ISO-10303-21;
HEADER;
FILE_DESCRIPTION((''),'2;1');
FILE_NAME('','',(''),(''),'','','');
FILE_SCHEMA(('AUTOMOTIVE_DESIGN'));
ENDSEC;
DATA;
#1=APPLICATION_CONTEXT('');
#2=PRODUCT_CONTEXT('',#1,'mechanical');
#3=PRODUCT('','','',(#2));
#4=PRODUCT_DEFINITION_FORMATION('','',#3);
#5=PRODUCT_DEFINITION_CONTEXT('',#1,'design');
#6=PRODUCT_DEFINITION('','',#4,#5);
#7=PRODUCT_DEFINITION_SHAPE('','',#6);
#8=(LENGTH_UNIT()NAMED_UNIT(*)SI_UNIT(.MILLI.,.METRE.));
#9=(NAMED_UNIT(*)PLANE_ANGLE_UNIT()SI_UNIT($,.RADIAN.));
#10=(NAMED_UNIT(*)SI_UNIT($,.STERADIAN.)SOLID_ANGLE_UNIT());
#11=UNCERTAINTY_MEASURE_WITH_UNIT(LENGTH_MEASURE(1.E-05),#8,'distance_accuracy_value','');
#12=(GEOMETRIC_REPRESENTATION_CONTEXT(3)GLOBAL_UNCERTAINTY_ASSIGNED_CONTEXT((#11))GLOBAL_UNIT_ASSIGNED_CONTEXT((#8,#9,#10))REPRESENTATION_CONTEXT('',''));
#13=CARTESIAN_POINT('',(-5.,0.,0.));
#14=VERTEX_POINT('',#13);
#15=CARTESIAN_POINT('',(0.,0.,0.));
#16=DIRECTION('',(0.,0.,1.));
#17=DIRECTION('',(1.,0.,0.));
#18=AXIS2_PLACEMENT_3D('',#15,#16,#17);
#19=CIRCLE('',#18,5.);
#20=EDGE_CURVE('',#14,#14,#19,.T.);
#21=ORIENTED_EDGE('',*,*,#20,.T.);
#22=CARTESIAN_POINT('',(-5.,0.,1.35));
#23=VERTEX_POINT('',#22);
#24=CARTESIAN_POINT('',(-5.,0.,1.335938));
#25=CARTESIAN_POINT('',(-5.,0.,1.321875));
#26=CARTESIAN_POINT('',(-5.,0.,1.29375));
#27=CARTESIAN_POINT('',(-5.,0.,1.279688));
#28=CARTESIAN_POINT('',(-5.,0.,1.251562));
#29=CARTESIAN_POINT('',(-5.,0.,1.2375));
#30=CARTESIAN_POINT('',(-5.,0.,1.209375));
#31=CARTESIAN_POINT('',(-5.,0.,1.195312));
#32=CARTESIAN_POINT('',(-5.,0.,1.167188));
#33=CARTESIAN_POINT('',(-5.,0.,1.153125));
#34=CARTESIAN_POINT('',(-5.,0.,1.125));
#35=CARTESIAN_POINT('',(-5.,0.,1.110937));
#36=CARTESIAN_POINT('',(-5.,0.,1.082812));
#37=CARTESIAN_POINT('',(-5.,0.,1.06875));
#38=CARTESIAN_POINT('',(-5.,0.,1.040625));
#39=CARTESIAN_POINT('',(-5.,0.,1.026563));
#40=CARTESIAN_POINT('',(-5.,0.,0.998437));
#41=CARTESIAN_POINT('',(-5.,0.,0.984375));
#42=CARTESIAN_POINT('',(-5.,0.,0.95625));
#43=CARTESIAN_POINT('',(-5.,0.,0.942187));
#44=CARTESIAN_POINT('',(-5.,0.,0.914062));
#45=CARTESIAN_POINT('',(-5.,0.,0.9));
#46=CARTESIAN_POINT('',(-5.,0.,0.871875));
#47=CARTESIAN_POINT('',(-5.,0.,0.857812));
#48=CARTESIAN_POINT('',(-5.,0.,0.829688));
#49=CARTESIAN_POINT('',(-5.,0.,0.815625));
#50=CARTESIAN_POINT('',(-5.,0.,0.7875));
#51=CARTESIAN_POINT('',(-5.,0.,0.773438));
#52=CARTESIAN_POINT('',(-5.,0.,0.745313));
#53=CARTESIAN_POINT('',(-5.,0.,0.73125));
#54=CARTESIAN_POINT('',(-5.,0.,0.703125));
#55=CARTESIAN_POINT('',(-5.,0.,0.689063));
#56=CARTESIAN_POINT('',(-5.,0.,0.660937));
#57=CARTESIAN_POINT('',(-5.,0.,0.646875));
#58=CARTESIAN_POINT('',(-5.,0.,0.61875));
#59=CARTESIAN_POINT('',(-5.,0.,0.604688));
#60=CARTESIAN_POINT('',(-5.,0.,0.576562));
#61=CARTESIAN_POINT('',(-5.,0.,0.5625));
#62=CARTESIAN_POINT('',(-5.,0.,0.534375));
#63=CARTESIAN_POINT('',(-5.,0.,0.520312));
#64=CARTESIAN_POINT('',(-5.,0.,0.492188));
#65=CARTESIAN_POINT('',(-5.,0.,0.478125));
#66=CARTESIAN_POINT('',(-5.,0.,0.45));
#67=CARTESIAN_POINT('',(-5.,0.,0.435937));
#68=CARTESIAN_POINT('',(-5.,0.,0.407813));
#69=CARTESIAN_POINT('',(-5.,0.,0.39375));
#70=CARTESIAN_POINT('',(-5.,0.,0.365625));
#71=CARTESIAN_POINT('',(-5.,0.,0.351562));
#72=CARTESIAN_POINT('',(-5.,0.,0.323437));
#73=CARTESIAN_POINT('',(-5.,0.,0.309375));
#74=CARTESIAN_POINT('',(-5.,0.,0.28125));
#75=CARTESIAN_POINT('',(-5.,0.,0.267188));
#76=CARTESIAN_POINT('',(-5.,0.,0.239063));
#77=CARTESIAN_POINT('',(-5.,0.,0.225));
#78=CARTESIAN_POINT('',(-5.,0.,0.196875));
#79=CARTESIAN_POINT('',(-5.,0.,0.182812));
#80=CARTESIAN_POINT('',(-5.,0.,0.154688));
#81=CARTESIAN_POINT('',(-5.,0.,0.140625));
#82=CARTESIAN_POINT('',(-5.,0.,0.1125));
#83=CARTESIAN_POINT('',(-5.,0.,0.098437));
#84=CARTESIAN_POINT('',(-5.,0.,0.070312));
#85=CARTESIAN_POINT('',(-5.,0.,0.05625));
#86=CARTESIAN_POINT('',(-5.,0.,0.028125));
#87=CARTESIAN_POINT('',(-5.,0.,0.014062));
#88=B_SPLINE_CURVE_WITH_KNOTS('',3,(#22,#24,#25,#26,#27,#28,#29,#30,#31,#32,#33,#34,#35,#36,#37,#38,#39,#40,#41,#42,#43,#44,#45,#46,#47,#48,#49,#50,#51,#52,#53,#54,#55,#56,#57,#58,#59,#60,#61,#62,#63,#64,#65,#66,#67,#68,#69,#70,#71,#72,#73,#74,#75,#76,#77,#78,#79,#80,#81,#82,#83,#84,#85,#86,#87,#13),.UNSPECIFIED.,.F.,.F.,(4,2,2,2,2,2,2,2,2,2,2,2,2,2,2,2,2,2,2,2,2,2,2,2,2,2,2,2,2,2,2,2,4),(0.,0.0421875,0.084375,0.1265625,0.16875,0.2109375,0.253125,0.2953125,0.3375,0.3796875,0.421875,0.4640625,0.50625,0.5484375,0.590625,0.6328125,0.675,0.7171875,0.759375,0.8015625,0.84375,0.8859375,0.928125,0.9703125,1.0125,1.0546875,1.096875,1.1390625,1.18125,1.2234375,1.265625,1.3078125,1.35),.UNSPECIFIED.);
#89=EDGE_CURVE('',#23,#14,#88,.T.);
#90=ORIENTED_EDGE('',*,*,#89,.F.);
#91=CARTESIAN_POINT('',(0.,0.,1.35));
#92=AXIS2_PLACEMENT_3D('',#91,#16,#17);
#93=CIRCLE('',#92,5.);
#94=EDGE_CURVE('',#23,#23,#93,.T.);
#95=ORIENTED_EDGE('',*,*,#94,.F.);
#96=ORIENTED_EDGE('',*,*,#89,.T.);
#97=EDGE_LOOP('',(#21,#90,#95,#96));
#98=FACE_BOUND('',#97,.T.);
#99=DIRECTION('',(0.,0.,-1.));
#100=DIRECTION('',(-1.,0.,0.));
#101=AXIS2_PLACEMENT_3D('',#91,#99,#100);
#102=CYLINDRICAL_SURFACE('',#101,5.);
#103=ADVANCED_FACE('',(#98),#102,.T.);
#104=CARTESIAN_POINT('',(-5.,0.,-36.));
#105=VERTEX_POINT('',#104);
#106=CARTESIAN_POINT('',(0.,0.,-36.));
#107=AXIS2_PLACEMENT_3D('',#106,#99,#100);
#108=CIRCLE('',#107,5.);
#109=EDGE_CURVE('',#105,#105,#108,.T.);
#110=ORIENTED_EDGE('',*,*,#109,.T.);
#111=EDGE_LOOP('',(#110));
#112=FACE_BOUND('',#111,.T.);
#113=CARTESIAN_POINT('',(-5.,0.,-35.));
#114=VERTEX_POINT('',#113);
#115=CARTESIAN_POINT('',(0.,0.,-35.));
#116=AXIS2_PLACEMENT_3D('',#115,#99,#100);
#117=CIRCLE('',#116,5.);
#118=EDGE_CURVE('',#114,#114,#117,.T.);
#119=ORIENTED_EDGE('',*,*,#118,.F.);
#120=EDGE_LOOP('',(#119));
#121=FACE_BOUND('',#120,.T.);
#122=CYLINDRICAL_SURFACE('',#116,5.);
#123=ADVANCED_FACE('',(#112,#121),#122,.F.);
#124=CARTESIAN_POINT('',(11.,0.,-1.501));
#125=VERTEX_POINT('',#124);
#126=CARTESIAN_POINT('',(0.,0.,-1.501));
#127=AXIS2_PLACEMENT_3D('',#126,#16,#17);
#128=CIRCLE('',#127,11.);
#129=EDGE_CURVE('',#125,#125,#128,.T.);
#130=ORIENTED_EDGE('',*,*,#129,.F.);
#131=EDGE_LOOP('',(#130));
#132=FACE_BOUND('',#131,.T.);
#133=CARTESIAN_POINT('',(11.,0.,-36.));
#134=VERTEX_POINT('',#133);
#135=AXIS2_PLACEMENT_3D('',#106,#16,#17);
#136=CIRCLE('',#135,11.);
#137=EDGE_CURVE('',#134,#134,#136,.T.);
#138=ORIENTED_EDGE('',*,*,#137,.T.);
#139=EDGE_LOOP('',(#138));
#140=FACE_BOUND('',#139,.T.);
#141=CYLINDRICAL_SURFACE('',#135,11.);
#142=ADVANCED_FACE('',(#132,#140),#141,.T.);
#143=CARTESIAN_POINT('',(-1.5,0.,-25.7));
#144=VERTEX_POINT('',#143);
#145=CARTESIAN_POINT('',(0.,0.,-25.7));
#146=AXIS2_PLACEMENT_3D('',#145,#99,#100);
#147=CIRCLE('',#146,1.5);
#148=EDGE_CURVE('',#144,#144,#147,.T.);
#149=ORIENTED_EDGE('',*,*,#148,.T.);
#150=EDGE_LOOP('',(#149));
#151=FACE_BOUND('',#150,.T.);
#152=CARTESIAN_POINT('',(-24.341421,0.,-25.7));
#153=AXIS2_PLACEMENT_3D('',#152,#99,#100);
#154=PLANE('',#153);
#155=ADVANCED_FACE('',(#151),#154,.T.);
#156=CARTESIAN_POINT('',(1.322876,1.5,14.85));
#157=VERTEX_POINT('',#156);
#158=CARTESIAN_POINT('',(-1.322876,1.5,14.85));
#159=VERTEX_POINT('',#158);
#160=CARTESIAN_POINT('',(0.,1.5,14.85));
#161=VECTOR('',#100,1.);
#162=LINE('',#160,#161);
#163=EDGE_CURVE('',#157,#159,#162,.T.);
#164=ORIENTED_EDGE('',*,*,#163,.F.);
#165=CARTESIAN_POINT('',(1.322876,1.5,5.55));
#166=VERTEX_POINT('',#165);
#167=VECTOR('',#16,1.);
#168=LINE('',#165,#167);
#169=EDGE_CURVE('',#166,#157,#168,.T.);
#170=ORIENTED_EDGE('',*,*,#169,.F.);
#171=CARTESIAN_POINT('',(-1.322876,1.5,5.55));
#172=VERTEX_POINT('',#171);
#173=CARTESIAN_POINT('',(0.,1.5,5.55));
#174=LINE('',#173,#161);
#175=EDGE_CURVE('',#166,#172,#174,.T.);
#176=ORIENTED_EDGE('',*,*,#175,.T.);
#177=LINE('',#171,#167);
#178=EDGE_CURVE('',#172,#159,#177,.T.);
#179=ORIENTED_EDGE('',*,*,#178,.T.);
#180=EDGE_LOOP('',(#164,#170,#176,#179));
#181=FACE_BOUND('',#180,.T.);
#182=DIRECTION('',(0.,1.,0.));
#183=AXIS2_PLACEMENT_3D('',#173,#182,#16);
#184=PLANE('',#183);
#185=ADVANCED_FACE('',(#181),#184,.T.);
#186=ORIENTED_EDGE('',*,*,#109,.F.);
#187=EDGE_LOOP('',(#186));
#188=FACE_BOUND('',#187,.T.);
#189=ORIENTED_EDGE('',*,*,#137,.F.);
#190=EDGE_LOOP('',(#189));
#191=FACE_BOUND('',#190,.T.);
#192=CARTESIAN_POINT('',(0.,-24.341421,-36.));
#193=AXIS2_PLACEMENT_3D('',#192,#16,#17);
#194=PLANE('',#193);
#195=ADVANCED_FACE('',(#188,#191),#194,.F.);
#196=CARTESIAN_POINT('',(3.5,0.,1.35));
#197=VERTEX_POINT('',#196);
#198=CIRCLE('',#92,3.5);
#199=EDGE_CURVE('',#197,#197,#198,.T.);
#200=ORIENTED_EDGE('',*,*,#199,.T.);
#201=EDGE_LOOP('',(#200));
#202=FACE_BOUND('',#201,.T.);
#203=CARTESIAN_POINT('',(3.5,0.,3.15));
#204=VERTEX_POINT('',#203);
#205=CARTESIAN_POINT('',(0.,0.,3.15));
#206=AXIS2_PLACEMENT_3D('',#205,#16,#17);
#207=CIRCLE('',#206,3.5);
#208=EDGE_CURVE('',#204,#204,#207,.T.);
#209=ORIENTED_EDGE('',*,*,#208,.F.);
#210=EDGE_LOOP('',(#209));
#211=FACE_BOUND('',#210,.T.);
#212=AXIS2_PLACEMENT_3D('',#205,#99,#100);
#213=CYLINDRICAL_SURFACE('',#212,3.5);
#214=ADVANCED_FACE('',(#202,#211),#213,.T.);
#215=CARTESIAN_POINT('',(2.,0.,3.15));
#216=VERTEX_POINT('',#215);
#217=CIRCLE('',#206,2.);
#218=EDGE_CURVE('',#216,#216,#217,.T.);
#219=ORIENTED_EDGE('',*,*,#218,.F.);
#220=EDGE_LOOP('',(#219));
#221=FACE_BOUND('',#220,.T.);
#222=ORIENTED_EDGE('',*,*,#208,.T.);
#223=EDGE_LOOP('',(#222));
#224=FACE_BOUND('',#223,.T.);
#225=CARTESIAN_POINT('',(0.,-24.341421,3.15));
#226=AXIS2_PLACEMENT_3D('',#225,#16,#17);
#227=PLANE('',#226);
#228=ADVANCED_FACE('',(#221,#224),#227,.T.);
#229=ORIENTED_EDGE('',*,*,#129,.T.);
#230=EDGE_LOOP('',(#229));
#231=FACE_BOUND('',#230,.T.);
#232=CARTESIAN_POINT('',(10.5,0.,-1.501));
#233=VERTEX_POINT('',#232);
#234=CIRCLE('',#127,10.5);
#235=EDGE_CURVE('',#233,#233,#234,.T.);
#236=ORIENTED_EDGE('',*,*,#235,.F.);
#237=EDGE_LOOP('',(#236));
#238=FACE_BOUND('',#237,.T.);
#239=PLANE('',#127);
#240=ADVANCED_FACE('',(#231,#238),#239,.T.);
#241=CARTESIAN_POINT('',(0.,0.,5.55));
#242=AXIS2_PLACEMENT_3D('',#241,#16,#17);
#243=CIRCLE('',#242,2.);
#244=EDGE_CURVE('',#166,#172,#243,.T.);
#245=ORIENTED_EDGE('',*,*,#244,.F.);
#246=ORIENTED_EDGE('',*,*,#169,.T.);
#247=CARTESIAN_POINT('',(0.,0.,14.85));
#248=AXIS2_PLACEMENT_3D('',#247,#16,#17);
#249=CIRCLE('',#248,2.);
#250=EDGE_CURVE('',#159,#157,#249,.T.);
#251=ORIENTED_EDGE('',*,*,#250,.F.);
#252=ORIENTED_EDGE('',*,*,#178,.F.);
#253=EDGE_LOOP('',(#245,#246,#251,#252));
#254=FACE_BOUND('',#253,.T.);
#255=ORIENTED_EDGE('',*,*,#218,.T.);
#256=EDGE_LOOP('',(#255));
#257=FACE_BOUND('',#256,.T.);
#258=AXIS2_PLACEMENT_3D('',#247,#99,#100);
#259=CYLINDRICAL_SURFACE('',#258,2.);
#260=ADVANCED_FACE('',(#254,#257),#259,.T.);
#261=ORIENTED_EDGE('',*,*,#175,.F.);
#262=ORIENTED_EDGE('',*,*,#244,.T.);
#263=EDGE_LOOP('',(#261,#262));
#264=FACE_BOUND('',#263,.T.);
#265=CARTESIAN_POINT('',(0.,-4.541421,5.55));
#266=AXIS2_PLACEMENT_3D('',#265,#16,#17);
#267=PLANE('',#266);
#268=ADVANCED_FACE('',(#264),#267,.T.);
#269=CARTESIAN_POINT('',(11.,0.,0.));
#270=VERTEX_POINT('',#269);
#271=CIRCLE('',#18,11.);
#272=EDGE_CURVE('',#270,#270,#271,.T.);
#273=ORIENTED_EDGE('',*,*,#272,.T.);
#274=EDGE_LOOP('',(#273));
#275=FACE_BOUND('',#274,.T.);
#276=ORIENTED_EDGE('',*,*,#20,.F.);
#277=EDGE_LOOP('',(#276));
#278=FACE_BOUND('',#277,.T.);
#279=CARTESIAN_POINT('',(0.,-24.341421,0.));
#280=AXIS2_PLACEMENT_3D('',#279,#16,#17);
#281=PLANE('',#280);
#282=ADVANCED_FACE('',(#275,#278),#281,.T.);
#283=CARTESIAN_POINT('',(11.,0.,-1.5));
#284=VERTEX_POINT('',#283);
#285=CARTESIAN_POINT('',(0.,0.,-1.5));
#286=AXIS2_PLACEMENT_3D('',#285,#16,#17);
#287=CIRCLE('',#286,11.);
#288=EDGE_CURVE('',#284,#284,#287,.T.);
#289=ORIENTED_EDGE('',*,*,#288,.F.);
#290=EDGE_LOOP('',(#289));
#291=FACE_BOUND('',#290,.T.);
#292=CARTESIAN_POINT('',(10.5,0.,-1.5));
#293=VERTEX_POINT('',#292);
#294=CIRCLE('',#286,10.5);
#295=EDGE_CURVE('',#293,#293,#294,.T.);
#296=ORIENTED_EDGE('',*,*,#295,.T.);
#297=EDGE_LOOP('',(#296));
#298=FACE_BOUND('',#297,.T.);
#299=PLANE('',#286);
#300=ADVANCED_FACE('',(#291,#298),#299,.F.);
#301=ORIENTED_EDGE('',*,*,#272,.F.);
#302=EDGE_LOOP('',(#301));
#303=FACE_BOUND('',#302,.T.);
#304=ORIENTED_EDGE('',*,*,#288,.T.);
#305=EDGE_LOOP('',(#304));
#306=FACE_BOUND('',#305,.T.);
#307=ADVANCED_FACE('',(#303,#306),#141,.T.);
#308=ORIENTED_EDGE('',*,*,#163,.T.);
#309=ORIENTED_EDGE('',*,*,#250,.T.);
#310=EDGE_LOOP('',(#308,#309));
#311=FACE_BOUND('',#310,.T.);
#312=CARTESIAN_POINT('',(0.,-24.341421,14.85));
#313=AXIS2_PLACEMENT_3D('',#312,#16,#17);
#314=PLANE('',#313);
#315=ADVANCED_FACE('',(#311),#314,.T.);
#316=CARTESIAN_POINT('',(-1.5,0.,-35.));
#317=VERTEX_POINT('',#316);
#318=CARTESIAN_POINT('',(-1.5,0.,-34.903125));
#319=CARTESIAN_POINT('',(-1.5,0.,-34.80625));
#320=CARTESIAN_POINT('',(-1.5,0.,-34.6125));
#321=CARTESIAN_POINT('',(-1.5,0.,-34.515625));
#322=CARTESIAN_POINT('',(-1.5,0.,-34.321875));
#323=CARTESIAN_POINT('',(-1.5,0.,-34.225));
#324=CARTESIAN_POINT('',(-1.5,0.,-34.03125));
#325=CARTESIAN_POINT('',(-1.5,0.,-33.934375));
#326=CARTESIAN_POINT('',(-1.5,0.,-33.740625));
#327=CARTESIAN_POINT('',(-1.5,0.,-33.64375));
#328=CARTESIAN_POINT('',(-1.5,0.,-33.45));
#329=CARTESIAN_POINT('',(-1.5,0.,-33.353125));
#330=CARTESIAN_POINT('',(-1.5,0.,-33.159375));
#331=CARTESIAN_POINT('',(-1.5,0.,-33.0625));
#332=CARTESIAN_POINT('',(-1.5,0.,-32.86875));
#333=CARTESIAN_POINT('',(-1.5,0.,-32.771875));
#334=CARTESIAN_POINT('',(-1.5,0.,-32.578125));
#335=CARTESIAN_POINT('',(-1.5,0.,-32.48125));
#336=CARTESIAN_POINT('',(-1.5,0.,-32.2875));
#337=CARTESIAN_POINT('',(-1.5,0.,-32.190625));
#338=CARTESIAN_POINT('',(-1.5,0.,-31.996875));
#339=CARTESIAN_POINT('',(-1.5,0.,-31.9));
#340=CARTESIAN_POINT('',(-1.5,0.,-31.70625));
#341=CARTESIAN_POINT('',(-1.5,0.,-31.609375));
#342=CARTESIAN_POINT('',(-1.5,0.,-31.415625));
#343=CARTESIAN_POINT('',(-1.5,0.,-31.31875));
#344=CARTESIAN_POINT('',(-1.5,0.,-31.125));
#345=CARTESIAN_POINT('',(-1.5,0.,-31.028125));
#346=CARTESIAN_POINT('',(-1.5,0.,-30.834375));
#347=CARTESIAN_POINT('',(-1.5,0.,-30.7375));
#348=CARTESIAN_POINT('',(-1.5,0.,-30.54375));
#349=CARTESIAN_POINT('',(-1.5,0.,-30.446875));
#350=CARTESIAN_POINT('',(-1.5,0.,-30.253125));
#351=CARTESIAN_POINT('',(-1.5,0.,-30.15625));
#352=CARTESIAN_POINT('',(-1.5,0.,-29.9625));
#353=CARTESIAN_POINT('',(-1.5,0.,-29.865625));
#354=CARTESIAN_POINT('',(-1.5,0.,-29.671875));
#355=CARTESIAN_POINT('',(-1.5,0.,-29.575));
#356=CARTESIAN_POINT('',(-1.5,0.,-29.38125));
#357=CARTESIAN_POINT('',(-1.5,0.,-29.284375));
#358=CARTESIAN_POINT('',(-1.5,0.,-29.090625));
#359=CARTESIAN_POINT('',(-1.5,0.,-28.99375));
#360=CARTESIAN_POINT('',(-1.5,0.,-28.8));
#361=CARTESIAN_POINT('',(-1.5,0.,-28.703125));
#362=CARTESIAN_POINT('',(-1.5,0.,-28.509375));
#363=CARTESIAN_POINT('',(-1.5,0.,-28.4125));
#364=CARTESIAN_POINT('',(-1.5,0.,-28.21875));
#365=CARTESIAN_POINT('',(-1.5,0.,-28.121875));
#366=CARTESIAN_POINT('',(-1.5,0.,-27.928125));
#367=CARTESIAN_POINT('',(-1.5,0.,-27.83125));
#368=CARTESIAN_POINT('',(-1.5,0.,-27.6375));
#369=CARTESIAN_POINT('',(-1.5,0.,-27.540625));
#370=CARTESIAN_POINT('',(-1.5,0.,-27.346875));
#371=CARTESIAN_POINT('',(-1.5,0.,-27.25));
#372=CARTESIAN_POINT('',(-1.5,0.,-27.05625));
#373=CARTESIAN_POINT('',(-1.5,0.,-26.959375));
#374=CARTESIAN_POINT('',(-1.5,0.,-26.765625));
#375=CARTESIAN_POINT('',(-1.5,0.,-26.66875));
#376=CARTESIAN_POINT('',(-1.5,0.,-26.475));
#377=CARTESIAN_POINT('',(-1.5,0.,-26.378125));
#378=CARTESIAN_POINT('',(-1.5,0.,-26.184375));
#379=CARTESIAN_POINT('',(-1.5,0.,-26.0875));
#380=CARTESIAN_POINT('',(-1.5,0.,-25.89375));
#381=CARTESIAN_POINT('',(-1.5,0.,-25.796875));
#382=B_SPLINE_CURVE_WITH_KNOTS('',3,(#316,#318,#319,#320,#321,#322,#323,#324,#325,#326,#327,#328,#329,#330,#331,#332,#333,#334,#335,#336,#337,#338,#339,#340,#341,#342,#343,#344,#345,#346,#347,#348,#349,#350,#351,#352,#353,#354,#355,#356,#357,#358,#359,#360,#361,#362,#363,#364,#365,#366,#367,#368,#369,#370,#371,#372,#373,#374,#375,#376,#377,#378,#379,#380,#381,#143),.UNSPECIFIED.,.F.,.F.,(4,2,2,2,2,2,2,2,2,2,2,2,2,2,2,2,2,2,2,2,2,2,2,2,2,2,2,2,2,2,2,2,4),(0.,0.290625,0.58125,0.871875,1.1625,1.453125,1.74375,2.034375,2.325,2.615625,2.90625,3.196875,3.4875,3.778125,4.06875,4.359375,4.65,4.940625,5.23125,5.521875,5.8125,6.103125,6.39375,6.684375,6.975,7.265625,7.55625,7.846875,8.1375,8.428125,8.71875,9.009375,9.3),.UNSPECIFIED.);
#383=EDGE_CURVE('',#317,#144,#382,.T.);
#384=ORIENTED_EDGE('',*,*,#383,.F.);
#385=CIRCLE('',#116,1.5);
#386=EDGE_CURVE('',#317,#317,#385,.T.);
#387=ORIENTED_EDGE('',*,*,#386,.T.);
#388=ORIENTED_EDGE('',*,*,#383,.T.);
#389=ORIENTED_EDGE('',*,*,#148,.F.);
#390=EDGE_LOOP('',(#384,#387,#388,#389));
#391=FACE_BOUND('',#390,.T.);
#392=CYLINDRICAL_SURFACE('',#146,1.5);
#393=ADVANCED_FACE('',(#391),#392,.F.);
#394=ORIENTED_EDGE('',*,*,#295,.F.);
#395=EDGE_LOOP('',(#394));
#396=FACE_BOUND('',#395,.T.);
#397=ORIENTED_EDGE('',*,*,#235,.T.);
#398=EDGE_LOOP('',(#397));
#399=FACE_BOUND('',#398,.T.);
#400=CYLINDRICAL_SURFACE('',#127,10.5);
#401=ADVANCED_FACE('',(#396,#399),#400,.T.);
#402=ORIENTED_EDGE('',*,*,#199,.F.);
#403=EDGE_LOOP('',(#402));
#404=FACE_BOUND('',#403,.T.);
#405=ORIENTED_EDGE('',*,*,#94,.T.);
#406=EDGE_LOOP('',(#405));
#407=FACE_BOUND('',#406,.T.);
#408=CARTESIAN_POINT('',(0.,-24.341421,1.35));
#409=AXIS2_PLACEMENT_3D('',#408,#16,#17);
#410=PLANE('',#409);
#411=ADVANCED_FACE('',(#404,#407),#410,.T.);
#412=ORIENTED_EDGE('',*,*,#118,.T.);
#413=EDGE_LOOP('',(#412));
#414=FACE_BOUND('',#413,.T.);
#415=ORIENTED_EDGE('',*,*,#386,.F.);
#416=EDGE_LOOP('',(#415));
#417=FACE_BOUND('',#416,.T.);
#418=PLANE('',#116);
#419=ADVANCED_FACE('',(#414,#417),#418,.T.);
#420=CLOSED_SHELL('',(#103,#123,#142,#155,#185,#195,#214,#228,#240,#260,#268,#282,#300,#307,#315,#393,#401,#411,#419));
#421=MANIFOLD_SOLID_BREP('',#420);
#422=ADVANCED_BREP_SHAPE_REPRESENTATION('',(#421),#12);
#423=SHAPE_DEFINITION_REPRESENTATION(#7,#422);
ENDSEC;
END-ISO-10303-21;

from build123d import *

# Parameters (mm, degrees)
SKETCH1_R                     = 11
BODY_DEPTH                    = 36
SKETCH1_3_R                   = 5
SKETCH1_3_R_2                 = 3.5
COLLAR_1_DEPTH                = 1.35
SKETCH1_4_R                   = 3.5
SKETCH1_4_R_2                 = 2
COLLAR_2_DEPTH                = 3.15
CAP_START                     = -1.5
SKETCH4_R                     = 11
SKETCH4_R_2                   = 10.5
CAP_RING_DEPTH                = 0.001
SKETCH1_5_R                   = 2
SHAFT_DEPTH                   = 14.85
KEY_START                     = -9.3
KEY_WAY_DEPTH                 = 9.3
SKETCH2_R                     = 5
SKETCH2_R_2                   = 1.5
RECESS_FOR_MOTOR_COLLAR_DEPTH = 1
SKETCH2_2_R                   = 1.5
RECESS_FOR_MOTOR_SHAFT_DEPTH  = 10.3


with BuildPart() as part:
    # Sketch1 → Body (new body)
    with BuildSketch(Plane.XY):
        Circle(SKETCH1_R)
    extrude(amount=-BODY_DEPTH)

    # Sketch1<3> → Collar 1 (add)
    with BuildSketch(Plane.XY):
        Circle(SKETCH1_3_R)
        Circle(SKETCH1_3_R_2, mode=Mode.SUBTRACT)
    extrude(amount=COLLAR_1_DEPTH)

    # Sketch1<4> → Collar 2 (add)
    with BuildSketch(Plane.XY):
        Circle(SKETCH1_4_R)
        Circle(SKETCH1_4_R_2, mode=Mode.SUBTRACT)
    extrude(amount=COLLAR_2_DEPTH)

    # Sketch4 → Cap Ring (cut)
    with BuildSketch(Plane.XY.offset(CAP_START)):
        Circle(SKETCH4_R)
        Circle(SKETCH4_R_2, mode=Mode.SUBTRACT)
    extrude(amount=-CAP_RING_DEPTH, mode=Mode.SUBTRACT)

    # Sketch1<5> → Shaft (add)
    with BuildSketch(Plane.XY):
        Circle(SKETCH1_5_R)
    extrude(amount=SHAFT_DEPTH)

    # Sketch3 → Key Way (cut)
    with BuildSketch(Plane.XY.offset(14.85).offset(KEY_START)):
        with BuildLine():
            Line((-1.322875656, 1.5), (0, 1.5))
            Line((0, 1.5), (1.322875656, 1.5))
            ThreePointArc((1.322875656, 1.5), (0, 2), (-1.322875656, 1.5))
        make_face()
    extrude(amount=KEY_WAY_DEPTH, mode=Mode.SUBTRACT)

    # Sketch2 → Recess for Motor Collar (cut)
    with BuildSketch(Plane(origin=(0, 0, -36), x_dir=(-1, 0, 0), z_dir=(0, 0, -1))):
        Circle(SKETCH2_R)
        Circle(SKETCH2_R_2, mode=Mode.SUBTRACT)
    extrude(amount=-RECESS_FOR_MOTOR_COLLAR_DEPTH, mode=Mode.SUBTRACT)

    # Sketch2<2> → Recess for Motor Shaft (cut)
    with BuildSketch(Plane(origin=(0, 0, -36), x_dir=(-1, 0, 0), z_dir=(0, 0, -1))):
        Circle(SKETCH2_2_R)
    extrude(amount=-RECESS_FOR_MOTOR_SHAFT_DEPTH, mode=Mode.SUBTRACT)


solid = part.part
